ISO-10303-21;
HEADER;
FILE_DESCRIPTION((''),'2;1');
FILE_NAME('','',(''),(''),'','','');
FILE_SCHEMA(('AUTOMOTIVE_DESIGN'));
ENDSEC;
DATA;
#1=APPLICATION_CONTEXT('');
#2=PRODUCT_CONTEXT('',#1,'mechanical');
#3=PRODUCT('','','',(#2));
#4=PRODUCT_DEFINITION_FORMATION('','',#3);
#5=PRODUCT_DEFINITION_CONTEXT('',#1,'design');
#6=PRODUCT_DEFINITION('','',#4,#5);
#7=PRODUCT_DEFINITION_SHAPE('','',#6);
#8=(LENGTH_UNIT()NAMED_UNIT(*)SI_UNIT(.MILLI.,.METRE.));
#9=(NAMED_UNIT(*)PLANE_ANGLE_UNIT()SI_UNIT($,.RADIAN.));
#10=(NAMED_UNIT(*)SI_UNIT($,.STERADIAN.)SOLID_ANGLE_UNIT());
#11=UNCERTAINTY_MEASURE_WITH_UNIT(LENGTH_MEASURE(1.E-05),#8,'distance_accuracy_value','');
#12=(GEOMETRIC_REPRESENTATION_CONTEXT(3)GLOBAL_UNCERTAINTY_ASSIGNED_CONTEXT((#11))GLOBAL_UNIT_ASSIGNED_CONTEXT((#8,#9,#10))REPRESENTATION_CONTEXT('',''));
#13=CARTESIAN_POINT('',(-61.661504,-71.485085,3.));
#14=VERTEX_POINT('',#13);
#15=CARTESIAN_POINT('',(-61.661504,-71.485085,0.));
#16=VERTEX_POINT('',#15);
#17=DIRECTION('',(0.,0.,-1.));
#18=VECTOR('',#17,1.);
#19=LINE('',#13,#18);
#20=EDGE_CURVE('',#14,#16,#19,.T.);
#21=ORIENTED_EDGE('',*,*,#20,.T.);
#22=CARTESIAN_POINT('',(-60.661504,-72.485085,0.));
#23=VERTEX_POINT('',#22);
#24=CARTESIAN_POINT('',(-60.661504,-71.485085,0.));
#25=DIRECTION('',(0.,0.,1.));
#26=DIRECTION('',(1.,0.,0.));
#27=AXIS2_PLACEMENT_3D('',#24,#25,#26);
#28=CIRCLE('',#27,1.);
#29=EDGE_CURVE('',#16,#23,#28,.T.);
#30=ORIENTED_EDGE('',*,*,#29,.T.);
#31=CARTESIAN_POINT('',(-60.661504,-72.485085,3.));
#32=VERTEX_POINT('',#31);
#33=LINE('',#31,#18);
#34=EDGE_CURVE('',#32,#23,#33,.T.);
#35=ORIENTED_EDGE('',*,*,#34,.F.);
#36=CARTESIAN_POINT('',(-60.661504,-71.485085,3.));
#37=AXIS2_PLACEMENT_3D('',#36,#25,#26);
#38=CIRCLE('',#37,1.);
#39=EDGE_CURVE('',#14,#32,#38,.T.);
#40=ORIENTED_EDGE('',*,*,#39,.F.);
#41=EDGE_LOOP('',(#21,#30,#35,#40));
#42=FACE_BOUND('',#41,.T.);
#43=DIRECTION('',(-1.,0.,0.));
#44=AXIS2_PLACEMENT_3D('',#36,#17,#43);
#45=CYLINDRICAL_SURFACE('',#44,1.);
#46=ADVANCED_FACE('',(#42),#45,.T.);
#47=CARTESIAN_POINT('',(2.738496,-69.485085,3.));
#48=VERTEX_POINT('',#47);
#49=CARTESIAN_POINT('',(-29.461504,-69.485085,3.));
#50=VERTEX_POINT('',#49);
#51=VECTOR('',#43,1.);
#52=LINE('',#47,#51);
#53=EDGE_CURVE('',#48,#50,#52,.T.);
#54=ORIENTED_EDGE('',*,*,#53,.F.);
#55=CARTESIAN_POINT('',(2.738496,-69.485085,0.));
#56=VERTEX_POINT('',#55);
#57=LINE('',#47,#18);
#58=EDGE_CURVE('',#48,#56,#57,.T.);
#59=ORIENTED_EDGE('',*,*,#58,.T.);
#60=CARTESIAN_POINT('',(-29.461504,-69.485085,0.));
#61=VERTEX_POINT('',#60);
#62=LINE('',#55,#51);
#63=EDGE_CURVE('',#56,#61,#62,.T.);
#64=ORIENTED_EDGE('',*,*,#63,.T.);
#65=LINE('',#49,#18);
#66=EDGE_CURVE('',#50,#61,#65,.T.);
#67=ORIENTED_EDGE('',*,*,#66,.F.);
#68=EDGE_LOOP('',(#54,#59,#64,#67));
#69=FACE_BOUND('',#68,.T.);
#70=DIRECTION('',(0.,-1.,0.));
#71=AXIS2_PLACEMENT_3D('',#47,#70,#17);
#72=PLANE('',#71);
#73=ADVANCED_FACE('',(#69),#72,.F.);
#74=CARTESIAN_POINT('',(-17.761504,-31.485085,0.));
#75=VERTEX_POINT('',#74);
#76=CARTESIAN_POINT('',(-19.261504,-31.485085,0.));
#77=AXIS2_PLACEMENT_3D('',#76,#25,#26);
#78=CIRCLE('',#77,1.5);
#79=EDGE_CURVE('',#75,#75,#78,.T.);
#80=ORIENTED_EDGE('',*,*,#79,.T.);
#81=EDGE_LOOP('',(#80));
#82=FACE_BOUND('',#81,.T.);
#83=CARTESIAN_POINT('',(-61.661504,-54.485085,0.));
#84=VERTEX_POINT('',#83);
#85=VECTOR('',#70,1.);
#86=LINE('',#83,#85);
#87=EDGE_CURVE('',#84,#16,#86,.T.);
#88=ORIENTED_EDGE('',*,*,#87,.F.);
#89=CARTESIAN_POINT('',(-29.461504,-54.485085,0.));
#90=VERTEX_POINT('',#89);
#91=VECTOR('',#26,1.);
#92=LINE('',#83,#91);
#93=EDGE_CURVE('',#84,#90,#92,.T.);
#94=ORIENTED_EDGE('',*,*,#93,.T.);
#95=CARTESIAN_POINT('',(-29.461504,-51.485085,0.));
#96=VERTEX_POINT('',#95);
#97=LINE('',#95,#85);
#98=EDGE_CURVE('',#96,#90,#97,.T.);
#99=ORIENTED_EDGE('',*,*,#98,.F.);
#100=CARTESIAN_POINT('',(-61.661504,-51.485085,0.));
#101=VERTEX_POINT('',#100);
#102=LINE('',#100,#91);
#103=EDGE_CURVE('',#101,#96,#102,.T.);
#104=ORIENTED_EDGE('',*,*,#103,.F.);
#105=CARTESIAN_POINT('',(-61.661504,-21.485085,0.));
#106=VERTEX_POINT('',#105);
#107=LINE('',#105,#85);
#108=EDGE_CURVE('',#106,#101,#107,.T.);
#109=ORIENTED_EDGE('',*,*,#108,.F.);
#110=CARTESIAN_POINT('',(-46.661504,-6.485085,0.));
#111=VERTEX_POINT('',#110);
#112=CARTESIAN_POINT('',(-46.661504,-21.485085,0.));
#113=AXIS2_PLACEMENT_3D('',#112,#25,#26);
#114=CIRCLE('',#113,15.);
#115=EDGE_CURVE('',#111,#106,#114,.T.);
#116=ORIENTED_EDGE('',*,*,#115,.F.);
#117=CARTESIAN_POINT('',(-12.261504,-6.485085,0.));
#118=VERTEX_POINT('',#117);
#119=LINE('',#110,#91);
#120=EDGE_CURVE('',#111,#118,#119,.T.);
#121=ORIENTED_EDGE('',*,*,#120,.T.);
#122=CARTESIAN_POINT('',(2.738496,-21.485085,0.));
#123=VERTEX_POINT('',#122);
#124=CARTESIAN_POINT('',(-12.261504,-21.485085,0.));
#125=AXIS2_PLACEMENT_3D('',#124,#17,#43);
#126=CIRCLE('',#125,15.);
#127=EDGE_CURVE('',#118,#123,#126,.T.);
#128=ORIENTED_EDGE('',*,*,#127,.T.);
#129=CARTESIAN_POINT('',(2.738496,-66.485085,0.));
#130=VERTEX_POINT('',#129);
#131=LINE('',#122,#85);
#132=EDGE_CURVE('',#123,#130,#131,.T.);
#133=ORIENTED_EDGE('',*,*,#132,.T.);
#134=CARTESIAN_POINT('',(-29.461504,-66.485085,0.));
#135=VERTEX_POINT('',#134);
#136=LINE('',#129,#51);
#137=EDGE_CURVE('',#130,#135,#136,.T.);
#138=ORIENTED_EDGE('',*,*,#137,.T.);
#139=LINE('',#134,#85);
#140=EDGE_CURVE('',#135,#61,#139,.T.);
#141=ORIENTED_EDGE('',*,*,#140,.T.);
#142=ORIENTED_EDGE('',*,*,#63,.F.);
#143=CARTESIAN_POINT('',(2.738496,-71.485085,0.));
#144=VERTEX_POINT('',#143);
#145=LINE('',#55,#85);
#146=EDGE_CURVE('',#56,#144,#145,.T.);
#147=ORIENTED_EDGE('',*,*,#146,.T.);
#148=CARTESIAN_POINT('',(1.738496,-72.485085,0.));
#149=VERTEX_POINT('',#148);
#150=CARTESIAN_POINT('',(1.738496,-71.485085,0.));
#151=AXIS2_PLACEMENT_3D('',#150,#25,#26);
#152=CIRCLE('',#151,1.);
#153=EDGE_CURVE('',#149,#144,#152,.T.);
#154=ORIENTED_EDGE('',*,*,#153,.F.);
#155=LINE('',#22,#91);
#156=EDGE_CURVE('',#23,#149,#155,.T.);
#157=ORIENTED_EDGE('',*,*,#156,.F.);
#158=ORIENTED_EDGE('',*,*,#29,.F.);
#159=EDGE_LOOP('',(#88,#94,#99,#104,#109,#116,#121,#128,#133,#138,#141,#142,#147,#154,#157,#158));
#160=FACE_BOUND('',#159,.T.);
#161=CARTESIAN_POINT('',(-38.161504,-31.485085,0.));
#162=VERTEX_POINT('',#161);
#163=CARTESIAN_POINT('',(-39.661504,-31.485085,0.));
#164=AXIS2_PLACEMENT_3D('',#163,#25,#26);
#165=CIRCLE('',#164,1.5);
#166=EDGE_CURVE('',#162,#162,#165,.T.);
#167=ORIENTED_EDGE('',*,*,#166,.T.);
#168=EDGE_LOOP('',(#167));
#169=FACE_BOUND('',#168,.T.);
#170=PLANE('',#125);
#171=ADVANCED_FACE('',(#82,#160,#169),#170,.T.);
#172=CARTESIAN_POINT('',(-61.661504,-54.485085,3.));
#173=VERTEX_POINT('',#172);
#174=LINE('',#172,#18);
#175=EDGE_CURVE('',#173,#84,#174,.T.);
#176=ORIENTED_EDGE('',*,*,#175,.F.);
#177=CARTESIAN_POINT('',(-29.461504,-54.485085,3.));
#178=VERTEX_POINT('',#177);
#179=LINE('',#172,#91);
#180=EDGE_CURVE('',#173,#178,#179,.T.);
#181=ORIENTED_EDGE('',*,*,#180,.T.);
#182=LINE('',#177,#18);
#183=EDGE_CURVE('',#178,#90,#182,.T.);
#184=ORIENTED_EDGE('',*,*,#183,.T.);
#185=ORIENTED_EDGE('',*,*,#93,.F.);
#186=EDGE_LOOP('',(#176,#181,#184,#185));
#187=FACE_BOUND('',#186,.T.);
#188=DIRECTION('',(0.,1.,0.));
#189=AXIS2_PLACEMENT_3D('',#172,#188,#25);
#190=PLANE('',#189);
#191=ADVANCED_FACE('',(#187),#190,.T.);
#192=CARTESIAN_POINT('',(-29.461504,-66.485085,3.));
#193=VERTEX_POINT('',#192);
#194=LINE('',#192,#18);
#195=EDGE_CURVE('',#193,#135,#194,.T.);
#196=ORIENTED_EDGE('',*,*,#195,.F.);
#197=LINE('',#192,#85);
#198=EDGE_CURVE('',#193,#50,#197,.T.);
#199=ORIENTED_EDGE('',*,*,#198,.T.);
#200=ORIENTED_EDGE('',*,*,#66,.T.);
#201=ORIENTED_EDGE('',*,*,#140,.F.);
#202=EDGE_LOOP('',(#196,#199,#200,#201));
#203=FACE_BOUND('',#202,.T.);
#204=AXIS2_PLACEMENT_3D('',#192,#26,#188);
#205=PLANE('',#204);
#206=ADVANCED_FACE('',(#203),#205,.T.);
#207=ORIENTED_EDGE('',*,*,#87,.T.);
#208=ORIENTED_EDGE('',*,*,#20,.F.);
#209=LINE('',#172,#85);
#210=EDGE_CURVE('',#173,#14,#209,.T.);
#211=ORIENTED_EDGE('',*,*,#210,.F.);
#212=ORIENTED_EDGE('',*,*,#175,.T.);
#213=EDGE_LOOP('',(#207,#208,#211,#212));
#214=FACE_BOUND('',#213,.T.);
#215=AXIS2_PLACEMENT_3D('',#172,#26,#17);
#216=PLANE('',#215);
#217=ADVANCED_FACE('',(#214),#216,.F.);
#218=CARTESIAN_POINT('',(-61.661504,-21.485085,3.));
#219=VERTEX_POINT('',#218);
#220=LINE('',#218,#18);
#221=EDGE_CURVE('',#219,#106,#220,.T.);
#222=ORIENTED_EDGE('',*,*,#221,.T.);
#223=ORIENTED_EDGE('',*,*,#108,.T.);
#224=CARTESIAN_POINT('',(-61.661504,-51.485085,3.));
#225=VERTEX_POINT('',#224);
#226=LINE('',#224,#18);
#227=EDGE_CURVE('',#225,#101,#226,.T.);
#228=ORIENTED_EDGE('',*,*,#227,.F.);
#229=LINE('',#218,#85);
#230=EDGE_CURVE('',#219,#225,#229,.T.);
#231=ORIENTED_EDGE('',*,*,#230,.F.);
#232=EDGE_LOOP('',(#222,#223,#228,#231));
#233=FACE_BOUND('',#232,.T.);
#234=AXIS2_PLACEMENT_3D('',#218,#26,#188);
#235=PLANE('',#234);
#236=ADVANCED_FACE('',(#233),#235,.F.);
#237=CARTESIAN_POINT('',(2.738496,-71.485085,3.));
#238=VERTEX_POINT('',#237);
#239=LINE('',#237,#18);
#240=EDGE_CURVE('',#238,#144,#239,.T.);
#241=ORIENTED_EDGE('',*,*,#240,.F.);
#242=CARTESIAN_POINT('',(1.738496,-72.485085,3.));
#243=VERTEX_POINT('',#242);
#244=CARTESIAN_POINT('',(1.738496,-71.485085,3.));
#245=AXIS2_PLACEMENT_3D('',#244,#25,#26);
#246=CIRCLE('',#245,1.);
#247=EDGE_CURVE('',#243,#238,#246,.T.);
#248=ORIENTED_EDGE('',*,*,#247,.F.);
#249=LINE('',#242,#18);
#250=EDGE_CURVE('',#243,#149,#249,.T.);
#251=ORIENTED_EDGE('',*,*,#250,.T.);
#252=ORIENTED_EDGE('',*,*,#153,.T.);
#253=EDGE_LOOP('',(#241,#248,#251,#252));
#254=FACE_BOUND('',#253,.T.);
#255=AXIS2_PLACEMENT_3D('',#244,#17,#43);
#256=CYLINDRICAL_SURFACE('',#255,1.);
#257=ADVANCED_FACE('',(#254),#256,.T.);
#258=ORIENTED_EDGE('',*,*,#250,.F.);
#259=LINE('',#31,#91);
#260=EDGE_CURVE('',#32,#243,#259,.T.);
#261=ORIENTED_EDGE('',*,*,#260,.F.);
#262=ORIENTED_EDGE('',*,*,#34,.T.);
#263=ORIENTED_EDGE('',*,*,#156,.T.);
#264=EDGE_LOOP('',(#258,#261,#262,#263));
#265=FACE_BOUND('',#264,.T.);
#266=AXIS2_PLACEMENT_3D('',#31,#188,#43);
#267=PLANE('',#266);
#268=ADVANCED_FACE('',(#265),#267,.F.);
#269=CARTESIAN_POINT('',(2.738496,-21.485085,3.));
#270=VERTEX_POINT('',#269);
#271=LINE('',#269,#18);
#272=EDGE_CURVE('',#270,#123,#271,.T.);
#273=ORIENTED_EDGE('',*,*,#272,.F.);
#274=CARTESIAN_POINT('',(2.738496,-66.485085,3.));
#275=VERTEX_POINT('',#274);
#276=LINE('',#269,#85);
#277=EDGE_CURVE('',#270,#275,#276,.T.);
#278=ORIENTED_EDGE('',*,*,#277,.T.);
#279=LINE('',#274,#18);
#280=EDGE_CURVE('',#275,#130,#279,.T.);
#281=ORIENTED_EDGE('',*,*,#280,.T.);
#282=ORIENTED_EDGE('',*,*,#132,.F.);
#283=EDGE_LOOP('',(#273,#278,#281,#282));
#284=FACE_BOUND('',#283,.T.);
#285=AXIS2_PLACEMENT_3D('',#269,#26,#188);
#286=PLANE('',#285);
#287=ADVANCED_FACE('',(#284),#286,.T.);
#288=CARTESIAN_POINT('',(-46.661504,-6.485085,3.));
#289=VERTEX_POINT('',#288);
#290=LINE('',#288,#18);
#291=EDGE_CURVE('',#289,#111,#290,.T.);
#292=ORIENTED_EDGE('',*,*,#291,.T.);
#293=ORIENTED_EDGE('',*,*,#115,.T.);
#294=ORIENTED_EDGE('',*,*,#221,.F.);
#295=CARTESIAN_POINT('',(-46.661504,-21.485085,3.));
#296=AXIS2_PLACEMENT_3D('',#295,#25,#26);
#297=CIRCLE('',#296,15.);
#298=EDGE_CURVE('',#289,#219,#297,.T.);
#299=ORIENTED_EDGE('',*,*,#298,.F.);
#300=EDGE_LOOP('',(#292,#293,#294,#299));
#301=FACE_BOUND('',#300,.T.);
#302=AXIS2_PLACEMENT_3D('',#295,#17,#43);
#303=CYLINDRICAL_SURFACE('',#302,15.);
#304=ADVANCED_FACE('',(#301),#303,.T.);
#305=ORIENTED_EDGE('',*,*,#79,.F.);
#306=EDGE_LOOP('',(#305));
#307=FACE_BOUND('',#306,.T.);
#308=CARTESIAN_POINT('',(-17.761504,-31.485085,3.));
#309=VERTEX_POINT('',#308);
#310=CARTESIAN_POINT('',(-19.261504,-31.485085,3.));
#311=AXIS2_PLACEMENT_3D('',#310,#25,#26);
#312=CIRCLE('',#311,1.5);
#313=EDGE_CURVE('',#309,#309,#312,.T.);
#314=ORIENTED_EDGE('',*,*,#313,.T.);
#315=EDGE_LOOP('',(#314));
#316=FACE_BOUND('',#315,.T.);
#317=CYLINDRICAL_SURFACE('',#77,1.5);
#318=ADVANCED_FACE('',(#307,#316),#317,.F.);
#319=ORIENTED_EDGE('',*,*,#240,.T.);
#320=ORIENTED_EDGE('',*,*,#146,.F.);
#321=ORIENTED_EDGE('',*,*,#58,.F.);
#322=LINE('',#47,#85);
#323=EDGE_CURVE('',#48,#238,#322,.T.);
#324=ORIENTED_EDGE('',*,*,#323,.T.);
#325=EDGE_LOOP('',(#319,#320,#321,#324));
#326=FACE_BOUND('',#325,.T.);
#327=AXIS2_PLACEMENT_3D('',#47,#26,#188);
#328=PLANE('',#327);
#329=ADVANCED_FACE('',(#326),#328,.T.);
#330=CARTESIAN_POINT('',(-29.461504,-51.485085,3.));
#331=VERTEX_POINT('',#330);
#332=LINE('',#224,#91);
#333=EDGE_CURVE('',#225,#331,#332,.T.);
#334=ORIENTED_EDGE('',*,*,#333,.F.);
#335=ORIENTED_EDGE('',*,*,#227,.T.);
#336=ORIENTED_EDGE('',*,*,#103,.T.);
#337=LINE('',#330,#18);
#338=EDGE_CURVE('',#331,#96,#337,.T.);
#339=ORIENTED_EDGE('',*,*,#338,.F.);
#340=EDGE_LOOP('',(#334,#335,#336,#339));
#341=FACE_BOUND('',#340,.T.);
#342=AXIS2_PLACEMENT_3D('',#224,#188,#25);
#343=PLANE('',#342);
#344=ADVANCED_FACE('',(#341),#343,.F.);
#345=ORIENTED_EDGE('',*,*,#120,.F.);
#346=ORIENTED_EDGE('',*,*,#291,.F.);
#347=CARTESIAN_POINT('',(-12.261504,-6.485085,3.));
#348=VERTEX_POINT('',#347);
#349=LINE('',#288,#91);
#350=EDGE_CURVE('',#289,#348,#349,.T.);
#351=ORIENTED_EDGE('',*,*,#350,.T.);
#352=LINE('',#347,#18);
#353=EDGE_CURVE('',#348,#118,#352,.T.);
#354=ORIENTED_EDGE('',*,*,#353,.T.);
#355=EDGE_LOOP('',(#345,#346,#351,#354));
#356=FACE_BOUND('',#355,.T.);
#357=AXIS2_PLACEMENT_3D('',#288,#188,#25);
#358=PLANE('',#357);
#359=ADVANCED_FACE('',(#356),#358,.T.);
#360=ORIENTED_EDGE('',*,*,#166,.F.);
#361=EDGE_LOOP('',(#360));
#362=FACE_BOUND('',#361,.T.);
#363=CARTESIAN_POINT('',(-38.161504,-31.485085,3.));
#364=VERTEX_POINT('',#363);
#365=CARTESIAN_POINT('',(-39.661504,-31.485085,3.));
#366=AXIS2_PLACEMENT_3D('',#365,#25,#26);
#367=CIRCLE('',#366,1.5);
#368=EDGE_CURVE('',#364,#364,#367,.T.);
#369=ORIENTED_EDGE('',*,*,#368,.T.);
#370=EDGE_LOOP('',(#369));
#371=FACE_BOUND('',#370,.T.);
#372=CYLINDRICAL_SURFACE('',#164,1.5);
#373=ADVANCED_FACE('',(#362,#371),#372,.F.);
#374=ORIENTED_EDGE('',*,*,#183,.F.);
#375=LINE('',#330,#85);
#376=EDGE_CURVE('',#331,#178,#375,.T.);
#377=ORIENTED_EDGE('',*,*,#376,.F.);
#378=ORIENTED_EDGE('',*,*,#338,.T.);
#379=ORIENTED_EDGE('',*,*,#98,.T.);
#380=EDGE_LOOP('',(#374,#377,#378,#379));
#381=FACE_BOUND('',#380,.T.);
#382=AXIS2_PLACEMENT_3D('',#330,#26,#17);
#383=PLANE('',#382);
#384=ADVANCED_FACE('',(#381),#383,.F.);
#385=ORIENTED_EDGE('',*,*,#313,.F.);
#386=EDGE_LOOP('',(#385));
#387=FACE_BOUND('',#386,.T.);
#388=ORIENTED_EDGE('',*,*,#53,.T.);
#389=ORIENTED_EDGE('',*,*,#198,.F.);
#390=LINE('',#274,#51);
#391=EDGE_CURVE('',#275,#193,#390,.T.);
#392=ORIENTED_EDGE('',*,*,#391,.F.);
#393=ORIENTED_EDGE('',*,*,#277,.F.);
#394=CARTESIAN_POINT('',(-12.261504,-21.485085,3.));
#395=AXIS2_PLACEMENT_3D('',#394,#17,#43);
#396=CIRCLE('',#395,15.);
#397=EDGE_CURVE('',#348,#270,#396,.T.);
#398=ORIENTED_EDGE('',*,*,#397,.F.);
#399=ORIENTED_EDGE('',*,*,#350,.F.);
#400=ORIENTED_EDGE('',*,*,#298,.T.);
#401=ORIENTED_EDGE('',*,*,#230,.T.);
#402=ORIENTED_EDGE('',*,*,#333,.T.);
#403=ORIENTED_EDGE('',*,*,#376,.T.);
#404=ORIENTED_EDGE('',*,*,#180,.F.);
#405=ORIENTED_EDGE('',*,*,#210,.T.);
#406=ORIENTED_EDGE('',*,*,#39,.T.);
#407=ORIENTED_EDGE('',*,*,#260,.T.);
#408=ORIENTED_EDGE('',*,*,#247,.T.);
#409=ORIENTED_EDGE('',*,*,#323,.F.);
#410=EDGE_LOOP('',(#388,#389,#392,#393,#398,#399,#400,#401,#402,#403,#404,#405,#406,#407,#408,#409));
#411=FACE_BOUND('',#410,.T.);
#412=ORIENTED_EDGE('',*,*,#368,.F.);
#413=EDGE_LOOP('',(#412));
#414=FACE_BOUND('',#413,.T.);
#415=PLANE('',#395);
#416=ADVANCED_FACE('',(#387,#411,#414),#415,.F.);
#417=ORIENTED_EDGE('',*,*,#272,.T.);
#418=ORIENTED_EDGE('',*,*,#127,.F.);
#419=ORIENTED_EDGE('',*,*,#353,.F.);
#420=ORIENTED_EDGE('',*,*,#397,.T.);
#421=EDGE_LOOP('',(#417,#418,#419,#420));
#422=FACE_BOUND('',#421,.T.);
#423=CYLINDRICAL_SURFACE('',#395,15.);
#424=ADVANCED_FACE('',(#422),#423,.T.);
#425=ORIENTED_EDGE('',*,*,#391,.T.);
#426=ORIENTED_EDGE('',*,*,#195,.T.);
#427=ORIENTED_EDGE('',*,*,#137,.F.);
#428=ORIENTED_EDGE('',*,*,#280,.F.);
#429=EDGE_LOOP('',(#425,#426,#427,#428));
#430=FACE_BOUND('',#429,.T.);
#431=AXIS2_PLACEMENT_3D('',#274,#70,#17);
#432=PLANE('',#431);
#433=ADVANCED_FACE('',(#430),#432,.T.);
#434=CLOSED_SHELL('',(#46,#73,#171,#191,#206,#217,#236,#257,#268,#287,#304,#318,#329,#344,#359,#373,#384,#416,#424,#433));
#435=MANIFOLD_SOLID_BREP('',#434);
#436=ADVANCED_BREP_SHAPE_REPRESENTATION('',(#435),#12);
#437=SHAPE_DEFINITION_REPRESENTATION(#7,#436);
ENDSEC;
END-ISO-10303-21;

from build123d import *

# Parameters (mm, degrees)
BOSS_EXTRUDE7_DEPTH = 3
SKETCH3_R           = 1.5
CUT_EXTRUDE1_DEPTH  = 3


with BuildPart() as part:
    # Sketch1 → Boss-Extrude7 (new body)
    with BuildSketch(Plane.XY):
        with BuildLine():
            Line((-12.261503554, -6.485084804), (-46.661503554, -6.485084804))
            ThreePointArc((-46.661503554, -6.485084804), (-57.268105272, -10.878483086), (-61.661503554, -21.485084804))
            Line((-61.661503554, -21.485084804), (-61.661503554, -51.485084804))
            Line((-61.661503554, -51.485084804), (-29.461503554, -51.485084804))
            Line((-29.461503554, -51.485084804), (-29.461503554, -54.485084804))
            Line((-29.461503554, -54.485084804), (-61.661503554, -54.485084804))
            Line((-61.661503554, -54.485084804), (-61.661503554, -71.485084804))
            ThreePointArc((-61.661503554, -71.485084804), (-61.368610335, -72.192191585), (-60.661503554, -72.485084804))
            Line((-60.661503554, -72.485084804), (1.738496446, -72.485084804))
            ThreePointArc((1.738496446, -72.485084804), (2.445603227, -72.192191585), (2.738496446, -71.485084804))
            Line((2.738496446, -71.485084804), (2.738496446, -69.485084804))
            Line((2.738496446, -69.485084804), (-29.461503554, -69.485084804))
            Line((-29.461503554, -69.485084804), (-29.461503554, -66.485084804))
            Line((-29.461503554, -66.485084804), (2.738496446, -66.485084804))
            Line((2.738496446, -66.485084804), (2.738496446, -21.485084804))
            ThreePointArc((2.738496446, -21.485084804), (-1.654901836, -10.878483086), (-12.261503554, -6.485084804))
        make_face()
    extrude(amount=BOSS_EXTRUDE7_DEPTH)

    # Sketch3 → Cut-Extrude1 (cut)
    with BuildSketch(Plane.XY.offset(3)):
        with Locations((-19.261503554, -31.485084804)):
            Circle(SKETCH3_R)
        with Locations((-39.661503554, -31.485084804)):
            Circle(SKETCH3_R)
    extrude(amount=-CUT_EXTRUDE1_DEPTH, mode=Mode.SUBTRACT)


solid = part.part
